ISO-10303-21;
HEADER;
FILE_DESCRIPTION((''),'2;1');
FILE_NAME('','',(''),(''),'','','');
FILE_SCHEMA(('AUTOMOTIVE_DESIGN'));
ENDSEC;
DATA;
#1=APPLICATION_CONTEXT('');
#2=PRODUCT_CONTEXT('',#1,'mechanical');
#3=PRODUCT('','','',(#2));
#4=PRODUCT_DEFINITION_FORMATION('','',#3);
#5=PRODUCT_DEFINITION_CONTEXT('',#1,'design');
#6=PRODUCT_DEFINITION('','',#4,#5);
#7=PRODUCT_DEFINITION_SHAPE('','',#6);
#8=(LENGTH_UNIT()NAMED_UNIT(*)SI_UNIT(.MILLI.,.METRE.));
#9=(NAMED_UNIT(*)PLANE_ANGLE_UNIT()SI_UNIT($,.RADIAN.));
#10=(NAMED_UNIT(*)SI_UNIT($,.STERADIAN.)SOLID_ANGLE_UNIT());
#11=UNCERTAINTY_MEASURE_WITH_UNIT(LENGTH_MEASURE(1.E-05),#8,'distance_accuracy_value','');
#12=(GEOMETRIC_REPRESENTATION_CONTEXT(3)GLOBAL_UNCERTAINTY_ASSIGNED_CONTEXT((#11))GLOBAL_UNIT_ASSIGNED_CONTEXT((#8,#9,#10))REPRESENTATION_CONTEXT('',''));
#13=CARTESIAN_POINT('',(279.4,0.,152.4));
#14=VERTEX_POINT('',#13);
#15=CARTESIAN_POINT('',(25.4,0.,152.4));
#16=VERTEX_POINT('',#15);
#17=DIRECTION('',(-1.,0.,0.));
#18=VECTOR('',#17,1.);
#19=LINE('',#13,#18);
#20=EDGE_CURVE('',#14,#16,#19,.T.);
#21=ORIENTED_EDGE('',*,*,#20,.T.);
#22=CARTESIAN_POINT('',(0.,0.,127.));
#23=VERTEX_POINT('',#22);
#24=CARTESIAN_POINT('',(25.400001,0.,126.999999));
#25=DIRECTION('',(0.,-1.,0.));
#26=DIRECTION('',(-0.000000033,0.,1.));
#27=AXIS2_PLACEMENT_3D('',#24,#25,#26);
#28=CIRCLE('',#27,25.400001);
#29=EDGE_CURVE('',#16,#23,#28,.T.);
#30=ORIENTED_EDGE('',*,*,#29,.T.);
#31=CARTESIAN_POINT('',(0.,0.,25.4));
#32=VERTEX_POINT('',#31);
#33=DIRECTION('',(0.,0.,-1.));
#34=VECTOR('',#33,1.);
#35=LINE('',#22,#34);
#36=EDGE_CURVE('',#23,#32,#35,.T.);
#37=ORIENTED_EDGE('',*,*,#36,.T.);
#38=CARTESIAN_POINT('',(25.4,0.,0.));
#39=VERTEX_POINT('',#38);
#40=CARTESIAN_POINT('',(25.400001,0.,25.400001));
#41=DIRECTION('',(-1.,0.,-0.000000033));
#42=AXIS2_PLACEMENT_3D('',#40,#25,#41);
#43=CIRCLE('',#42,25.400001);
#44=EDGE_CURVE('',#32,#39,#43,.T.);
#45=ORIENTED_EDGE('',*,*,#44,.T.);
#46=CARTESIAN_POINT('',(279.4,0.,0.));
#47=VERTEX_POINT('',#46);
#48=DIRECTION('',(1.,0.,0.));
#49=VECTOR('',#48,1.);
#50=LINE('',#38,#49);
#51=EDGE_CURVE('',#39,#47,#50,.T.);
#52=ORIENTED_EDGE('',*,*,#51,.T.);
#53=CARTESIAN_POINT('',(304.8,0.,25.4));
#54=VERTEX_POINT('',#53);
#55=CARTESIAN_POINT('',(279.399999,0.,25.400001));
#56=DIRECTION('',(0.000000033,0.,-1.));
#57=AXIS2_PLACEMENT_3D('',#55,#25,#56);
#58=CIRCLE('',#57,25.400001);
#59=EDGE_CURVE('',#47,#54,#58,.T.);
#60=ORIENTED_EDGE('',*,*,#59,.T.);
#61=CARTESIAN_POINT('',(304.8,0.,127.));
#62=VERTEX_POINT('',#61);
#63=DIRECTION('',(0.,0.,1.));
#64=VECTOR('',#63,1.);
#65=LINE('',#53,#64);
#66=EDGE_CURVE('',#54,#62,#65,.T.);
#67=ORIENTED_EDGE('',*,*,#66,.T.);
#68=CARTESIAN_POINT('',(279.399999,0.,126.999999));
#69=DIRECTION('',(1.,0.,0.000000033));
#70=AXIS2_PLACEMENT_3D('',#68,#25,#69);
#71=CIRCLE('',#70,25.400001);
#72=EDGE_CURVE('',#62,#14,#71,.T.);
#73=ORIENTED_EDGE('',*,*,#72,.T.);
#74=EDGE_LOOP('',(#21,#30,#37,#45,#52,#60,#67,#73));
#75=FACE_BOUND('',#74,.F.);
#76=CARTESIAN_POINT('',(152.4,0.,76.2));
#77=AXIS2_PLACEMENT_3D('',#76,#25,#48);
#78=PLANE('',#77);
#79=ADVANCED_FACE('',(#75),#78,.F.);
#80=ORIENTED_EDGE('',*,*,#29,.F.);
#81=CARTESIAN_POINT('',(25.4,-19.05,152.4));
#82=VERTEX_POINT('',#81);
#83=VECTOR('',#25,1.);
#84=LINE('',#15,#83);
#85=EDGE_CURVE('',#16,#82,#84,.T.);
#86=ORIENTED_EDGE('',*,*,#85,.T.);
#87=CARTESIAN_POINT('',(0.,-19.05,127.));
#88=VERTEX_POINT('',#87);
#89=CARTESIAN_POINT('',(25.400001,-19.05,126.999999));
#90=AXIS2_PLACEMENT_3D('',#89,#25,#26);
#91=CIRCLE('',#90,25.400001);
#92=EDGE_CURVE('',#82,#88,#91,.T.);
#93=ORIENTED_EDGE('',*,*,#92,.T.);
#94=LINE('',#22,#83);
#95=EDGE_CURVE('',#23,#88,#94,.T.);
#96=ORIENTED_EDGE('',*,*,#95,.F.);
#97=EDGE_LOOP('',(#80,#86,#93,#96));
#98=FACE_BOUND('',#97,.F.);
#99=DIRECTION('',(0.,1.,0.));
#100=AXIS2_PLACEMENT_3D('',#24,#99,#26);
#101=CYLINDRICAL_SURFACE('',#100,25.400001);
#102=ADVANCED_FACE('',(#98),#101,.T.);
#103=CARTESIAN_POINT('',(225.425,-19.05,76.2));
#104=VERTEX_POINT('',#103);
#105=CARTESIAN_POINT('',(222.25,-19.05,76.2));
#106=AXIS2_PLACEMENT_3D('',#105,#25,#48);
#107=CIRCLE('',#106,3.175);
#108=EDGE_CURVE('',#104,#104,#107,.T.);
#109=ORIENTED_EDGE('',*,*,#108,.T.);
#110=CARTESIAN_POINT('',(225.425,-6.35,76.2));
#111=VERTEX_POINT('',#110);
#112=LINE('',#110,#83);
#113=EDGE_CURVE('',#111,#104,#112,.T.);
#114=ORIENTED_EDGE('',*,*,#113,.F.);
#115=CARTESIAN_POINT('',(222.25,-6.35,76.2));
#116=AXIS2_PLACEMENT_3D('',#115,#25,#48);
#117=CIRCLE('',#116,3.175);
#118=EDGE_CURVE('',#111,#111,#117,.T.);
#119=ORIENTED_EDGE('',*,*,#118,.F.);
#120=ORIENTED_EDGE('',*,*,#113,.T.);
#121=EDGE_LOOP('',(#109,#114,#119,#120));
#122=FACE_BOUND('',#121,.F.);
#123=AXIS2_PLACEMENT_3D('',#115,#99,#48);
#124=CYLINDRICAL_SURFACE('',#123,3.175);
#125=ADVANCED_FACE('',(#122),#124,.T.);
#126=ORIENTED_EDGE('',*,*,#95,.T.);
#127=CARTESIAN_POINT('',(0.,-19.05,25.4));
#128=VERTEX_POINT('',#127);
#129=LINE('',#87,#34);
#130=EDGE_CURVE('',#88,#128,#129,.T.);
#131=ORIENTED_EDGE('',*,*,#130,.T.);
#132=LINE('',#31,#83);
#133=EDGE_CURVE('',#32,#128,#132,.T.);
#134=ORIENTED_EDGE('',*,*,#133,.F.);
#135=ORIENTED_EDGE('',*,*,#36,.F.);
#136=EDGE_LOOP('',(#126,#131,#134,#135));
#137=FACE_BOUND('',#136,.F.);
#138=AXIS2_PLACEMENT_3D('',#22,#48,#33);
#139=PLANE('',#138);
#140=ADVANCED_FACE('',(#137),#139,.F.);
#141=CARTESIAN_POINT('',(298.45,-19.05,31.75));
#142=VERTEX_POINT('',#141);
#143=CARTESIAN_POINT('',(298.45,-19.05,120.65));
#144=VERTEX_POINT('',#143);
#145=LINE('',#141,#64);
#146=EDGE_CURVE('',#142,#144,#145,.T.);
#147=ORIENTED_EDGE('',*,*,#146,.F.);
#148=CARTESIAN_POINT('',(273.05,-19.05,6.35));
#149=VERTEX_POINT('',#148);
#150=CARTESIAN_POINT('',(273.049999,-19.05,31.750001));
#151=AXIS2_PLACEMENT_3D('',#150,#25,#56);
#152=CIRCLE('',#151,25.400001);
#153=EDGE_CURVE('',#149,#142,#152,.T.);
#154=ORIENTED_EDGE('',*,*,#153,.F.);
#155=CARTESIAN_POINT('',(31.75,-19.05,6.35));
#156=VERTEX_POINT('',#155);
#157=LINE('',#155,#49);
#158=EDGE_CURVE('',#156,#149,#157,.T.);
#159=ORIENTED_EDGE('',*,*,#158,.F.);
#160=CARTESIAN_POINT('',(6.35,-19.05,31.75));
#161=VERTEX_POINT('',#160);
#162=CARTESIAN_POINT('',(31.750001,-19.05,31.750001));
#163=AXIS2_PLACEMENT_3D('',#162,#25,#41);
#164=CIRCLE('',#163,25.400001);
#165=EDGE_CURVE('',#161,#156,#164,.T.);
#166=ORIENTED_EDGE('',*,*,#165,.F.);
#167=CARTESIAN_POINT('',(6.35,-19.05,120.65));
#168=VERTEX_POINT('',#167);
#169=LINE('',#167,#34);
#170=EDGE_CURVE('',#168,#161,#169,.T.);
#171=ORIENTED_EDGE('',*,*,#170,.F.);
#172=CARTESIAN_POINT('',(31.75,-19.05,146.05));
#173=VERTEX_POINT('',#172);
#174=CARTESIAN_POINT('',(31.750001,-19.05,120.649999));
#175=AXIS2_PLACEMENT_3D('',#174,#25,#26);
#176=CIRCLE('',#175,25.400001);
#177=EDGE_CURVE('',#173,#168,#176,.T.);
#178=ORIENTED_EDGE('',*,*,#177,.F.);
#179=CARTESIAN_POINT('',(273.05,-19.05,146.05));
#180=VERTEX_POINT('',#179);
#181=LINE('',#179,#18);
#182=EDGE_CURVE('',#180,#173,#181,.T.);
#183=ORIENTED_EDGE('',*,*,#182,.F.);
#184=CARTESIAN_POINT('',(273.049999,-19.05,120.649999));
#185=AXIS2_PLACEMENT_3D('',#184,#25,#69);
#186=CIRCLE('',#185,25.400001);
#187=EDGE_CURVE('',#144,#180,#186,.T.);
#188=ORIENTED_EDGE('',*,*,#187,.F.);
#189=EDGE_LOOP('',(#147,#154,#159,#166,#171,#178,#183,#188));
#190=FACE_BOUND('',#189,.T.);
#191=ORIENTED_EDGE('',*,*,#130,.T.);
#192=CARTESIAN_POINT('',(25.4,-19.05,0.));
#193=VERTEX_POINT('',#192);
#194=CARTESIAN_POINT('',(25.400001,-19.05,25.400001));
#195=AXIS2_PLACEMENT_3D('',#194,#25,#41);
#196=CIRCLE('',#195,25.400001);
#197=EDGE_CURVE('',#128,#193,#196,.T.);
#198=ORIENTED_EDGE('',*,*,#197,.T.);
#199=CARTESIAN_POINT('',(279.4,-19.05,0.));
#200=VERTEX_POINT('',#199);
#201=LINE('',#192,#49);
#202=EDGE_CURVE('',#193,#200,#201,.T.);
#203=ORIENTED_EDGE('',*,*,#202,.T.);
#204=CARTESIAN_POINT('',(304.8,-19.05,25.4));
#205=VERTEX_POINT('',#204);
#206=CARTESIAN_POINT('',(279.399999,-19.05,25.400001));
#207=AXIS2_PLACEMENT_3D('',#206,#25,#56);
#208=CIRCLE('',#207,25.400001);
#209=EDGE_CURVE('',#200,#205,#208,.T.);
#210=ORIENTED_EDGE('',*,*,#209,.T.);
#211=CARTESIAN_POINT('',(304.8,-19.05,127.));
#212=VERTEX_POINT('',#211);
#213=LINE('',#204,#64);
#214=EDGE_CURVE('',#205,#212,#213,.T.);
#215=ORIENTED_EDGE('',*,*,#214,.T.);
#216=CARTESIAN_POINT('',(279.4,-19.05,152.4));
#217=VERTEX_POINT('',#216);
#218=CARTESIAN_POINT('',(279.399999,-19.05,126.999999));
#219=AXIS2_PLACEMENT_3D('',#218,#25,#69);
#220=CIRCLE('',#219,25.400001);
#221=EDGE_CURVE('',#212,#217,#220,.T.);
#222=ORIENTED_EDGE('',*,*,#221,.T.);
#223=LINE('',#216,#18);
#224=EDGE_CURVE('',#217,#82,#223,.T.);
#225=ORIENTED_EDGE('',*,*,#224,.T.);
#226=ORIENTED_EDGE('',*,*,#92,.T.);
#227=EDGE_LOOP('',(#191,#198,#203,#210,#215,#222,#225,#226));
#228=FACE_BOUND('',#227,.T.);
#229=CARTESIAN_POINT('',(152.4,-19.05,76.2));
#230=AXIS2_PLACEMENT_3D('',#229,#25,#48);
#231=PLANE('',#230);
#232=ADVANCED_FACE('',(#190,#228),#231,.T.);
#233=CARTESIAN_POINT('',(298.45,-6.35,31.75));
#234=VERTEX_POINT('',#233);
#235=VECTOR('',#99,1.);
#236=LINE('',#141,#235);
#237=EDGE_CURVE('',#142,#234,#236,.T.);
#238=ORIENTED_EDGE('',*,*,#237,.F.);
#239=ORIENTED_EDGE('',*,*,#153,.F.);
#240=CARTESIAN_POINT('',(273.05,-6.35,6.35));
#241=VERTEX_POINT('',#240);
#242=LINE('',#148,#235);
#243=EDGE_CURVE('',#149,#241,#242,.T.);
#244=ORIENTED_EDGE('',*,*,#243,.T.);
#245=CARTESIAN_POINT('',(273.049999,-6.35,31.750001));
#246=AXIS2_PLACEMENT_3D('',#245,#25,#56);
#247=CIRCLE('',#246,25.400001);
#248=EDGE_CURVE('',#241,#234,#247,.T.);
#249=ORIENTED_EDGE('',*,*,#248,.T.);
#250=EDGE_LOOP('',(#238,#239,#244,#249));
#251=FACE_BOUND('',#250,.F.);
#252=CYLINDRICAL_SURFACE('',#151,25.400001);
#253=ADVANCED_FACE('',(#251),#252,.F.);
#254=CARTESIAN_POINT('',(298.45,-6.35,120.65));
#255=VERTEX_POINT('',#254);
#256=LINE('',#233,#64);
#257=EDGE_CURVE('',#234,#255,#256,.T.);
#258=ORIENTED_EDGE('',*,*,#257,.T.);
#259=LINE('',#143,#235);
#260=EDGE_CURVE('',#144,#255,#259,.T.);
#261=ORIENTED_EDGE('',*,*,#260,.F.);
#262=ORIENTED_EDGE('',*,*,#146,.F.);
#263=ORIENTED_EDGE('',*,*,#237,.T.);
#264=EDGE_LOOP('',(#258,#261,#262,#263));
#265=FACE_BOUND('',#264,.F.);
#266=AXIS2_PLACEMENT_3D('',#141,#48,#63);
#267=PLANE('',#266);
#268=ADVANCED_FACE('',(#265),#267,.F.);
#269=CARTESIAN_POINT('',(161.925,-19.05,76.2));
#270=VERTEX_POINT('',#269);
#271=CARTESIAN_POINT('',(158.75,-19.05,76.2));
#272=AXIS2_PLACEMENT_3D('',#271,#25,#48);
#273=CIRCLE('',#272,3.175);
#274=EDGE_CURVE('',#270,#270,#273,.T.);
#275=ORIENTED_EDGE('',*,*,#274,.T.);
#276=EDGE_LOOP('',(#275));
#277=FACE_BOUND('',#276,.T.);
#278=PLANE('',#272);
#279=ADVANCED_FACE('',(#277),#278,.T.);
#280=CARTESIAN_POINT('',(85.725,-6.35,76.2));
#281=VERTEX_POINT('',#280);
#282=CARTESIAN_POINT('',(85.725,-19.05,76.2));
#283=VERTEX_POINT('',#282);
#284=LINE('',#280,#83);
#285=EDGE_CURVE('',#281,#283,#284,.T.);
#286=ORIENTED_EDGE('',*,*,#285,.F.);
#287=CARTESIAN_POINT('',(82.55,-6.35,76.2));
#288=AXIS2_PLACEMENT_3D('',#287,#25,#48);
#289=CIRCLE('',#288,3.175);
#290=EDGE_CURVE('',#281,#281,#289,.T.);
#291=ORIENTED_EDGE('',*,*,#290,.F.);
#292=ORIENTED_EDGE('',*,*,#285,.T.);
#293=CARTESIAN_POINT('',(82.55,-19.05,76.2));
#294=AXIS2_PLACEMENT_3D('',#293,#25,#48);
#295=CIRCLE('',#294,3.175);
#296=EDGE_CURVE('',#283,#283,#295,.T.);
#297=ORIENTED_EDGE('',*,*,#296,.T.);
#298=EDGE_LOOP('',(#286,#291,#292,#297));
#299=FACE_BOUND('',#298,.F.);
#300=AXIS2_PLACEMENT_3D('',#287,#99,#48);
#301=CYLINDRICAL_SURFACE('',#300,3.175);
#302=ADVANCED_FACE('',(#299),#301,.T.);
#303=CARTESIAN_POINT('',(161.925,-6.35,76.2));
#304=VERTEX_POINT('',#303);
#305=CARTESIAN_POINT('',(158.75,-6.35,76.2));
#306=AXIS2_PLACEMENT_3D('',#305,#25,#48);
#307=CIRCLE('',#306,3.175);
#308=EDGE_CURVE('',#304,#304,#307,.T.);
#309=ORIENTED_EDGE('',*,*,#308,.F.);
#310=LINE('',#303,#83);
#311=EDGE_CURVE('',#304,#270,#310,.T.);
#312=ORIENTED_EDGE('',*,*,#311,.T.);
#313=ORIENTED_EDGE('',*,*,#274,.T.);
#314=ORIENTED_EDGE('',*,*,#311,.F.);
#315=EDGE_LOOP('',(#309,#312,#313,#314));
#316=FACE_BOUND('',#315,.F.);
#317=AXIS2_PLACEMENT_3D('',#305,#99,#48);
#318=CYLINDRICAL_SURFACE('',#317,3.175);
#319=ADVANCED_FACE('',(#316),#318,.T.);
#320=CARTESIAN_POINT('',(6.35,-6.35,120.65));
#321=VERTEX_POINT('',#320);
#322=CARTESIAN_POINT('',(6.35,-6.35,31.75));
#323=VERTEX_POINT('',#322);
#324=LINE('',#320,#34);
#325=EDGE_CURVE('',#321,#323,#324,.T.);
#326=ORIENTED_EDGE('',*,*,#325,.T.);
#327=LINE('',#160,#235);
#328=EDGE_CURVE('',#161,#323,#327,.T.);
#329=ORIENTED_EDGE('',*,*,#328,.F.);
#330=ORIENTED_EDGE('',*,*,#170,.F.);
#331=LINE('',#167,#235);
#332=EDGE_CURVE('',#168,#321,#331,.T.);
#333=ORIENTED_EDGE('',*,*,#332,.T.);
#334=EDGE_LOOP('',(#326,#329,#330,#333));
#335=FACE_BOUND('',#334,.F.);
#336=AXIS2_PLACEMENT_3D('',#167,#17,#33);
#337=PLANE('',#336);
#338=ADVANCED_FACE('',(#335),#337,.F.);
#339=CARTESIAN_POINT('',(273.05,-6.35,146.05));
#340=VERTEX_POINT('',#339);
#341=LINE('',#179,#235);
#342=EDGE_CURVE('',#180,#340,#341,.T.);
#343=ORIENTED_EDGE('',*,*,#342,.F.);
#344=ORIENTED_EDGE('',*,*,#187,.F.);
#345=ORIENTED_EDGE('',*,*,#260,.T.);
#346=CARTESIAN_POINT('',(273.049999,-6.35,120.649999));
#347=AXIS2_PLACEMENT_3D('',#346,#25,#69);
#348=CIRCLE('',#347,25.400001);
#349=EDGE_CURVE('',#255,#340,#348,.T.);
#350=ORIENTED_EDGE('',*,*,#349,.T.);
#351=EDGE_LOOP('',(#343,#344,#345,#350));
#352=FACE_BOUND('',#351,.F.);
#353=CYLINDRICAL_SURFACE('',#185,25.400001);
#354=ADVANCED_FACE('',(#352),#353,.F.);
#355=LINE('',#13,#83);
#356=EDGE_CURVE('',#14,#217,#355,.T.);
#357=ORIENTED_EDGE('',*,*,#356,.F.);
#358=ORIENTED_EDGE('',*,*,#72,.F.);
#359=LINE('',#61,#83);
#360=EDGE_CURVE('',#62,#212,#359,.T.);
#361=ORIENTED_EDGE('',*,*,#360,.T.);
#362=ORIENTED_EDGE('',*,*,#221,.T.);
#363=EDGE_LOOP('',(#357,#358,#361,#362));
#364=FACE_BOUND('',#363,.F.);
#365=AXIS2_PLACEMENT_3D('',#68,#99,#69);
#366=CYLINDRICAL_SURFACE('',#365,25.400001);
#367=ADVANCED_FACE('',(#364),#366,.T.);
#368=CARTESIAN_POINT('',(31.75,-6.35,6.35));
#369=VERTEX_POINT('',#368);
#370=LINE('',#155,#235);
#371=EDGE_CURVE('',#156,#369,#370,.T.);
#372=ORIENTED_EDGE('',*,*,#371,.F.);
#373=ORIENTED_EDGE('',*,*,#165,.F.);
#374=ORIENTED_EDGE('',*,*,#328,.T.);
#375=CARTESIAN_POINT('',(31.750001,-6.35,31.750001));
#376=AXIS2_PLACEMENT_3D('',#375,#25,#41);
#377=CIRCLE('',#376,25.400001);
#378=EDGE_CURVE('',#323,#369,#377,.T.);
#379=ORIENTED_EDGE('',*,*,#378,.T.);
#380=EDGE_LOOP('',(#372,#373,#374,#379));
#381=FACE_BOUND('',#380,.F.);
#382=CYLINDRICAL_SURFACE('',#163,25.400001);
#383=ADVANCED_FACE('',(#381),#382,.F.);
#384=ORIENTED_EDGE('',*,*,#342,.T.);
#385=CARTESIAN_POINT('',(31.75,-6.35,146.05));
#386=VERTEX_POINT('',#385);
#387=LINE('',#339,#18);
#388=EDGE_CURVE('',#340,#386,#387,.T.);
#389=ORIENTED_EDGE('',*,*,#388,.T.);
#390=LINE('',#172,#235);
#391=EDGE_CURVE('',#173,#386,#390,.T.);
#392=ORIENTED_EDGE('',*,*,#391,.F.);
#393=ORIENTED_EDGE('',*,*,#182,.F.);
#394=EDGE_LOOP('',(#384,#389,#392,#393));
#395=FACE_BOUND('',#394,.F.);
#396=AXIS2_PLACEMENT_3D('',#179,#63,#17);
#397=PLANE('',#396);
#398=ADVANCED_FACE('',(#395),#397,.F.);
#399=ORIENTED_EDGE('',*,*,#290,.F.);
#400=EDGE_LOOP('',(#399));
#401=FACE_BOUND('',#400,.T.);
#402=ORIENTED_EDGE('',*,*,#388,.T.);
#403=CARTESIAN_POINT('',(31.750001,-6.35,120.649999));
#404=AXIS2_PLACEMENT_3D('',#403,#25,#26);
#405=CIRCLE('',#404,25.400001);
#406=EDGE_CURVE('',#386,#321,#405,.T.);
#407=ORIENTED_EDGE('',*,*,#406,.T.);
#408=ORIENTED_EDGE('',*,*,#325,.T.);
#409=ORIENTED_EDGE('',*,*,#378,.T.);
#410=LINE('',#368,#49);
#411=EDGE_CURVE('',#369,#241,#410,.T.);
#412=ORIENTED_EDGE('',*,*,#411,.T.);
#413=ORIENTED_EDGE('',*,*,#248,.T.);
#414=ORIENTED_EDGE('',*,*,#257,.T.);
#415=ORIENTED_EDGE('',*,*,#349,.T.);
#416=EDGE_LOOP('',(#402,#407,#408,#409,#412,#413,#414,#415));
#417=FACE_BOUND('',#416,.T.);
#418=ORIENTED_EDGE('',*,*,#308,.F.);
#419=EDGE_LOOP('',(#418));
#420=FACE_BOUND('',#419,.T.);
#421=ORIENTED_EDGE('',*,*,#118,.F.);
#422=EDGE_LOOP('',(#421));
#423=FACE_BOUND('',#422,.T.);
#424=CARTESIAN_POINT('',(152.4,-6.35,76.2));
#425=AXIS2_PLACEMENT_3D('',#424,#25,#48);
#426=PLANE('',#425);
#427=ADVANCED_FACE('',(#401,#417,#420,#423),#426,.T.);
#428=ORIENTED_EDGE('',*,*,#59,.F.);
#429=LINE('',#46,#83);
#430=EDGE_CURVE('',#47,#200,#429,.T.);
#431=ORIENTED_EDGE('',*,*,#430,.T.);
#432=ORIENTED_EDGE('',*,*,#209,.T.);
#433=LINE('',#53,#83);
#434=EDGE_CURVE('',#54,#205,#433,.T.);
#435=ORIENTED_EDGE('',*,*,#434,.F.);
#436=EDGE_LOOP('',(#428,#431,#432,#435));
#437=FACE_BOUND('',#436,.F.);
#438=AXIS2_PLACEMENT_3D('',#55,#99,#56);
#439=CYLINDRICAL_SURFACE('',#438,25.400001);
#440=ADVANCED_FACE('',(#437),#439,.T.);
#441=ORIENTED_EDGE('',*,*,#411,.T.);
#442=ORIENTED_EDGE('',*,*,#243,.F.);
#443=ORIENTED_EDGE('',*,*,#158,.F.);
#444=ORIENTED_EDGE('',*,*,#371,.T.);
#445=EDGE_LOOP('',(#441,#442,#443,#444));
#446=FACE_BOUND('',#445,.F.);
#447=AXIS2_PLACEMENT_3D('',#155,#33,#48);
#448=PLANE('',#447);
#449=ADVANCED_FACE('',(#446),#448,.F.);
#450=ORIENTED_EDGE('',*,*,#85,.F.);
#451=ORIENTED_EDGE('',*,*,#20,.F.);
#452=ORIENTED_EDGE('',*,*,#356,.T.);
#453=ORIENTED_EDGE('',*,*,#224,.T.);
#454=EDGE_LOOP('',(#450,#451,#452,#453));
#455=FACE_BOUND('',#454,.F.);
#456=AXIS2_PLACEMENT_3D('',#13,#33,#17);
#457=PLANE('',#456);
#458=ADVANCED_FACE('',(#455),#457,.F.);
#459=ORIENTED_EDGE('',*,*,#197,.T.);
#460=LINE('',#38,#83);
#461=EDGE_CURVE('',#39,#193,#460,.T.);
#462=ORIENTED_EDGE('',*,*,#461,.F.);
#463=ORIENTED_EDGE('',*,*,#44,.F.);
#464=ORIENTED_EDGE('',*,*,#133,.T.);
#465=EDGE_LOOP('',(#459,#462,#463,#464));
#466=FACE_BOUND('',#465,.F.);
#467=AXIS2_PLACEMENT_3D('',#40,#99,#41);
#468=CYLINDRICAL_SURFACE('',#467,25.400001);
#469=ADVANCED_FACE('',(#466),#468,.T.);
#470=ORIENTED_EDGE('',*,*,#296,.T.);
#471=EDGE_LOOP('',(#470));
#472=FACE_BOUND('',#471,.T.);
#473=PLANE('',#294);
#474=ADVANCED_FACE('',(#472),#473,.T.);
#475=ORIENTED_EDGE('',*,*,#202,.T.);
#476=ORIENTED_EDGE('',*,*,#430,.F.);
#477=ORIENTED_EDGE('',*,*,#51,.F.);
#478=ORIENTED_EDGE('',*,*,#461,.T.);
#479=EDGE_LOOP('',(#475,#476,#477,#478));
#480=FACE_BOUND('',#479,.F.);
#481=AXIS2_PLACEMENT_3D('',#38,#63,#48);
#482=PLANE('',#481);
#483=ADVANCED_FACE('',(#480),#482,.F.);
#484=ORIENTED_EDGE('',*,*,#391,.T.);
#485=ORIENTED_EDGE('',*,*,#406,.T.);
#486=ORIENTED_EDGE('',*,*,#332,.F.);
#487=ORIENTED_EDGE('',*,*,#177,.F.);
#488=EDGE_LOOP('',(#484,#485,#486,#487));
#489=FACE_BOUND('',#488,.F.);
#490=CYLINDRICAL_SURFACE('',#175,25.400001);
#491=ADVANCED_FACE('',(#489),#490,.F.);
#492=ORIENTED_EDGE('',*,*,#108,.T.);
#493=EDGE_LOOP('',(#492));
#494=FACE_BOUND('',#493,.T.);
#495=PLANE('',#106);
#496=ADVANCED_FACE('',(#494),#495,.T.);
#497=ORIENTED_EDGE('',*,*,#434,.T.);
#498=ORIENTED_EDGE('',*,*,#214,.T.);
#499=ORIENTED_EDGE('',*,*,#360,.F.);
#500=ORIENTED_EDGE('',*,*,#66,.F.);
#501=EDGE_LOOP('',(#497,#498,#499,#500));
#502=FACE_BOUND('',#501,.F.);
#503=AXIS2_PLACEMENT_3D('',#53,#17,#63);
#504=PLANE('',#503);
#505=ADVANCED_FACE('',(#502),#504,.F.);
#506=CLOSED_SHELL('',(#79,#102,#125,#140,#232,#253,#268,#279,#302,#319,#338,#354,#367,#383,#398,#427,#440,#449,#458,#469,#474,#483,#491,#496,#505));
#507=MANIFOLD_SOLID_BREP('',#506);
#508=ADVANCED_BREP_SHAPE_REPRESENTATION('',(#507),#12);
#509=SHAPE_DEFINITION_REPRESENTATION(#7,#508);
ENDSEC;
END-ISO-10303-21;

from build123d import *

# Parameters (mm, degrees)
F1_DEPTH = 19.05
F3_DEPTH = 12.7
F4_R     = 3.175
F5_DEPTH = 12.7


with BuildPart() as f1:
    # F0 (on Front) → F1 (new body)
    with BuildSketch(Plane.XZ):
        with BuildLine():
            Line((0, 127), (0, 25.4))
            ThreePointArc((0, 25.4), (7.439488, 7.439488), (25.4, 0))
            Line((25.4, 0), (279.4, 0))
            ThreePointArc((279.4, 0), (297.360512, 7.439488), (304.8, 25.4))
            Line((304.8, 25.4), (304.8, 127))
            ThreePointArc((304.8, 127), (297.360512, 144.960512), (279.4, 152.4))
            Line((279.4, 152.4), (25.4, 152.4))
            ThreePointArc((25.4, 152.4), (7.439488, 144.960512), (0, 127))
        make_face()
    extrude(amount=F1_DEPTH)

    # F2 (on face) → F3 (cut)
    with BuildSketch(Plane.XZ.offset(19.05)):
        with BuildLine():
            Line((6.35, 76.2), (6.35, 31.75))
            ThreePointArc((6.35, 31.75), (13.789488, 13.789488), (31.75, 6.35))
            Line((31.75, 6.35), (152.4, 6.35))
            Line((152.4, 6.35), (273.05, 6.35))
            ThreePointArc((273.05, 6.35), (291.010512, 13.789488), (298.45, 31.75))
            Line((298.45, 31.75), (298.45, 76.2))
            Line((298.45, 76.2), (298.45, 120.65))
            ThreePointArc((298.45, 120.65), (291.010512, 138.610512), (273.05, 146.05))
            Line((273.05, 146.05), (152.4, 146.05))
            Line((152.4, 146.05), (31.75, 146.05))
            ThreePointArc((31.75, 146.05), (13.789488, 138.610512), (6.35, 120.65))
            Line((6.35, 120.65), (6.35, 76.2))
        make_face()
    extrude(amount=-F3_DEPTH, mode=Mode.SUBTRACT)

    # F4 (on face) → F5 (join)
    with BuildSketch(Plane.XZ.offset(6.35)):
        with Locations((82.55, 76.2)):
            Circle(F4_R)
        with Locations((158.75, 76.2)):
            Circle(F4_R)
        with Locations((222.25, 76.2)):
            Circle(F4_R)
    extrude(amount=F5_DEPTH)


solid = f1.part
